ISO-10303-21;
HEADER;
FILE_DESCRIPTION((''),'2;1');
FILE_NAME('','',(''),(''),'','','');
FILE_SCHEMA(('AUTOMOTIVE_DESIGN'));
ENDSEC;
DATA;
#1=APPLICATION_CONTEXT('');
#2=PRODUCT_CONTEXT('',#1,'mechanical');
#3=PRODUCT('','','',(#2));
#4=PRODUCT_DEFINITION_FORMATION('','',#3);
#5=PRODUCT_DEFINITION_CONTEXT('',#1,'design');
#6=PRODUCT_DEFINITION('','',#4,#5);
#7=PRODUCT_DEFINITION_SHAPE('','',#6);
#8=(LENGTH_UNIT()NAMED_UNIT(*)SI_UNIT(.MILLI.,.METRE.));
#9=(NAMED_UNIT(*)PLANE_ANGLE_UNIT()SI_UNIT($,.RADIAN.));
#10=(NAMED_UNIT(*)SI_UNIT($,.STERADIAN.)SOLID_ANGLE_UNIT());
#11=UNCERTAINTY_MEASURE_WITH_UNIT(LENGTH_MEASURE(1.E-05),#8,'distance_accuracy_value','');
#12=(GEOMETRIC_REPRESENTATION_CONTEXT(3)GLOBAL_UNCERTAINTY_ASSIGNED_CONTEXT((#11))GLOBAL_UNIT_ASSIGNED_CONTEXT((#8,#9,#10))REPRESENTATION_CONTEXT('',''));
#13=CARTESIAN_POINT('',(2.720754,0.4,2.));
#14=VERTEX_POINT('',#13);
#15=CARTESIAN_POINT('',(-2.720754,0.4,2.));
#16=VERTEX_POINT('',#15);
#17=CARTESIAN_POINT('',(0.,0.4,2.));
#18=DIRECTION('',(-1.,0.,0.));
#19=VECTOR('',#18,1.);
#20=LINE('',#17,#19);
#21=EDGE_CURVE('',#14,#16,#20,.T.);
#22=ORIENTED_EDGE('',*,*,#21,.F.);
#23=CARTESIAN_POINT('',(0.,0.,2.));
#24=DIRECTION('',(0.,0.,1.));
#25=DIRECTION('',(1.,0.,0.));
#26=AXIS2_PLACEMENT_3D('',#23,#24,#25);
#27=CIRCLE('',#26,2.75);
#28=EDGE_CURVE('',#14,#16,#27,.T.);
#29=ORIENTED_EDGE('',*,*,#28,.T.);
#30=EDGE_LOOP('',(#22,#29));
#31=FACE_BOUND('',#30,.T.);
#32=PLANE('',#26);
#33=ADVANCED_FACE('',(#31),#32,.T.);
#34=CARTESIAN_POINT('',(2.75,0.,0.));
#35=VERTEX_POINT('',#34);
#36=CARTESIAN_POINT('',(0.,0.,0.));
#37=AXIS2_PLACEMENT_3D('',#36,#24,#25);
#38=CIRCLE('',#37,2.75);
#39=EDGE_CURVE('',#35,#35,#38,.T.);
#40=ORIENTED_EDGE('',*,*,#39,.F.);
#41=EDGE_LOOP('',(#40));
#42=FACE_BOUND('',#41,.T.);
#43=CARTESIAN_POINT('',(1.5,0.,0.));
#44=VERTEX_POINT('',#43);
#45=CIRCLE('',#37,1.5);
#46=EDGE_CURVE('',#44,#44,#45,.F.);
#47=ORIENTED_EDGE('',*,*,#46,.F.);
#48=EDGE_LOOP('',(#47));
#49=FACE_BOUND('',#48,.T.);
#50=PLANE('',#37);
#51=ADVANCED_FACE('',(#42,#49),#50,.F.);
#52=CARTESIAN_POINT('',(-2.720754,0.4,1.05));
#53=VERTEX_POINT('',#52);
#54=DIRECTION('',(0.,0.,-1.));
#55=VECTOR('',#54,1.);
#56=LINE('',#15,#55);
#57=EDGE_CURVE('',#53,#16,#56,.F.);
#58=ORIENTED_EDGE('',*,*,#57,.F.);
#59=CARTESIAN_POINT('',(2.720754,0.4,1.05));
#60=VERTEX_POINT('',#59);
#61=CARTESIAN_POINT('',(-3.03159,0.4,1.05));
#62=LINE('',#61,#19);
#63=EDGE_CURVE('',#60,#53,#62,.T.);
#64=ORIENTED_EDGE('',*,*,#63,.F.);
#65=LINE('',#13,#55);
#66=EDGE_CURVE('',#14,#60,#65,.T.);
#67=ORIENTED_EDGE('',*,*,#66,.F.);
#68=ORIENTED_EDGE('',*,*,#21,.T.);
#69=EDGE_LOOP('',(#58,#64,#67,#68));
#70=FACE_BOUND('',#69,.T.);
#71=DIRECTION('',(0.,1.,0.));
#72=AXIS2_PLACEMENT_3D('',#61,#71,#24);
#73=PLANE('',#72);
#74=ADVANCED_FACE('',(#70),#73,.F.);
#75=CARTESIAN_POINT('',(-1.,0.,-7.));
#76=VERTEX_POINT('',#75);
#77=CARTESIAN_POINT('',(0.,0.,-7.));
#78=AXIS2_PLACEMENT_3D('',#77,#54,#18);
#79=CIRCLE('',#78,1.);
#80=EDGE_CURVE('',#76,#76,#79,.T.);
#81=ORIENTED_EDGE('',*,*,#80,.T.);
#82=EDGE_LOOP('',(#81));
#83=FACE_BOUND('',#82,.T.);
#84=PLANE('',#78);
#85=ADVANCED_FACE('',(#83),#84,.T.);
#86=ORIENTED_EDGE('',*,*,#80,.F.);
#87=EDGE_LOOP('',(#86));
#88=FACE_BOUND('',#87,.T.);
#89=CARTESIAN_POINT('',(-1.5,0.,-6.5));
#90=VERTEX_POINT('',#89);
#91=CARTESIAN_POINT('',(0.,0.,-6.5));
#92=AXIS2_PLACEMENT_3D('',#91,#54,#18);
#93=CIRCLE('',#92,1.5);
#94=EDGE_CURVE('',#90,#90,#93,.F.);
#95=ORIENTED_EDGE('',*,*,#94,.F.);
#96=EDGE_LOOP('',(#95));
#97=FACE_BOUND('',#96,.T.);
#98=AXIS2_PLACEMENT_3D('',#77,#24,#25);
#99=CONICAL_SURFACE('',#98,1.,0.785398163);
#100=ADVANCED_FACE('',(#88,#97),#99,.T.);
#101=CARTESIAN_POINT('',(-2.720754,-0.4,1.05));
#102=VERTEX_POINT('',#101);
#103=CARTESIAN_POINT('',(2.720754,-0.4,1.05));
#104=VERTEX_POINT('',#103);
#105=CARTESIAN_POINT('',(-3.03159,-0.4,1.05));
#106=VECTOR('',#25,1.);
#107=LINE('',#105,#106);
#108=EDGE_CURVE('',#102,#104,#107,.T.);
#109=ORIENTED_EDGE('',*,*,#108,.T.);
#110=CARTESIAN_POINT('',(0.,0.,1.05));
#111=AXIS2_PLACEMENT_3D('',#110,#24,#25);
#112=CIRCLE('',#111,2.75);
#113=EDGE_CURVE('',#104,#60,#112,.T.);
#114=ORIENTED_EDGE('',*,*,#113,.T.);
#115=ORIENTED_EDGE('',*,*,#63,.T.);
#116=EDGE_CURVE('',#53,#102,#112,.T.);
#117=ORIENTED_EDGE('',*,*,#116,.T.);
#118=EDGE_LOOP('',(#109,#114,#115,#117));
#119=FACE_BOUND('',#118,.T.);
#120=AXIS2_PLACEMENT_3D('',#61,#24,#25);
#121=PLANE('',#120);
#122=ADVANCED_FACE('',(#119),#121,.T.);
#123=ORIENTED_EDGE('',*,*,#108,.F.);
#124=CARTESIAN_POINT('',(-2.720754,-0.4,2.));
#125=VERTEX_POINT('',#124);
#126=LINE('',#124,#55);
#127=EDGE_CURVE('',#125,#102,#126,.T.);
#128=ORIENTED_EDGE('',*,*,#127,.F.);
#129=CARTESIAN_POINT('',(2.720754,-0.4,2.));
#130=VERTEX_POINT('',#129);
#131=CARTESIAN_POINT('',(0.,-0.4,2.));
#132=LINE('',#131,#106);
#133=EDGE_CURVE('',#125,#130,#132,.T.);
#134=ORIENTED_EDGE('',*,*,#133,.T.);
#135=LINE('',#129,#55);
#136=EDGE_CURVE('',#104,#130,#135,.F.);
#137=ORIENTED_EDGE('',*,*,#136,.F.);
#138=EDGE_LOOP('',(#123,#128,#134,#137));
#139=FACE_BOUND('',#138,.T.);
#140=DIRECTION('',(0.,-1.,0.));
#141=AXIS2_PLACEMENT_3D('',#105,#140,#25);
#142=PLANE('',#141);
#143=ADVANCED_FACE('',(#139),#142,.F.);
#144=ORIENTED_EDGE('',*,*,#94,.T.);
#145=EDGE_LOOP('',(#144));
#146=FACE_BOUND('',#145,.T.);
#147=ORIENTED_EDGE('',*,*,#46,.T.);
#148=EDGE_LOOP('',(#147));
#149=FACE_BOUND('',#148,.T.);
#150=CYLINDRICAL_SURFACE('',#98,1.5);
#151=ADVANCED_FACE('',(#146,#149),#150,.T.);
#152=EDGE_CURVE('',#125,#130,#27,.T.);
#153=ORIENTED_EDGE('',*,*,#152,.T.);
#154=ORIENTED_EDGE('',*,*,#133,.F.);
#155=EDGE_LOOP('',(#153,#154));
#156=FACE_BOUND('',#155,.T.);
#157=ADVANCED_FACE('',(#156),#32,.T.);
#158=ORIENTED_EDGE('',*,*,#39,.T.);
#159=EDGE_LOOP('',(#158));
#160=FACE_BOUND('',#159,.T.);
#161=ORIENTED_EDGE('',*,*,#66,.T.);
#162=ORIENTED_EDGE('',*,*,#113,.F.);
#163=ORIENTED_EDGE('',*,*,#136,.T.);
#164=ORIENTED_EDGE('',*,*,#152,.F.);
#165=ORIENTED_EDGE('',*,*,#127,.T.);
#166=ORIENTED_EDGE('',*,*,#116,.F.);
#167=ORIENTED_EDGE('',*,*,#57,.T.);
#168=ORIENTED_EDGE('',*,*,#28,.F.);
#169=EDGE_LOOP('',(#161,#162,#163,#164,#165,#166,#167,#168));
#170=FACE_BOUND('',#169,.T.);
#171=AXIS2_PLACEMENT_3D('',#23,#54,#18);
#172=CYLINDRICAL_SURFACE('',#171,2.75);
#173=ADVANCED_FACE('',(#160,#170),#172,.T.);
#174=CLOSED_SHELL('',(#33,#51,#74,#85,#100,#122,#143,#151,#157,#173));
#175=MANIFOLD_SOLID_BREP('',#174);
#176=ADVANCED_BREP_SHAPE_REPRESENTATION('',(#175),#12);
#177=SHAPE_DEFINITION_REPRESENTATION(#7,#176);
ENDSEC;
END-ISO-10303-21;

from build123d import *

# Parameters (mm, degrees)
SKETCH_12_R         = 2.75
EXTRUDE_3_DEPTH     = 2
SKETCH_13_R         = 1.5
EXTRUDE_4_DEPTH     = 7
SKETCH_20_W         = 6.034936197
SKETCH_20_H         = 0.8
CUT_EXTRUDE_8_DEPTH = 0.95
CHAMFER_1_SIZE      = 0.5


with BuildPart() as part:
    # Эскиз12 → Вытянуть3 (new body)
    with BuildSketch(Plane.XY):
        Circle(SKETCH_12_R)
    extrude(amount=EXTRUDE_3_DEPTH)

    # Эскиз13 → Вытянуть4 (add)
    with BuildSketch(Plane(origin=(0, 0, 0), x_dir=(-1, 0, 0), z_dir=(0, 0, -1))):
        with Locations(Location((0, 0, 0), (0, 0, 180))):
            Circle(SKETCH_13_R)
    extrude(amount=EXTRUDE_4_DEPTH)

    # Эскиз20 → Вырез-Вытянуть8 (cut)
    with BuildSketch(Plane.XY.offset(2)):
        with Locations((-0.014122315, 0)):
            Rectangle(SKETCH_20_W, SKETCH_20_H)
    extrude(amount=-CUT_EXTRUDE_8_DEPTH, mode=Mode.SUBTRACT)

    # Фаска1
    chamfer_1_edges = [part.edges().sort_by_distance(p)[0] for p in [
        (-1.5, 0, -7),
    ]]
    chamfer(chamfer_1_edges, length=CHAMFER_1_SIZE)


solid = part.part
